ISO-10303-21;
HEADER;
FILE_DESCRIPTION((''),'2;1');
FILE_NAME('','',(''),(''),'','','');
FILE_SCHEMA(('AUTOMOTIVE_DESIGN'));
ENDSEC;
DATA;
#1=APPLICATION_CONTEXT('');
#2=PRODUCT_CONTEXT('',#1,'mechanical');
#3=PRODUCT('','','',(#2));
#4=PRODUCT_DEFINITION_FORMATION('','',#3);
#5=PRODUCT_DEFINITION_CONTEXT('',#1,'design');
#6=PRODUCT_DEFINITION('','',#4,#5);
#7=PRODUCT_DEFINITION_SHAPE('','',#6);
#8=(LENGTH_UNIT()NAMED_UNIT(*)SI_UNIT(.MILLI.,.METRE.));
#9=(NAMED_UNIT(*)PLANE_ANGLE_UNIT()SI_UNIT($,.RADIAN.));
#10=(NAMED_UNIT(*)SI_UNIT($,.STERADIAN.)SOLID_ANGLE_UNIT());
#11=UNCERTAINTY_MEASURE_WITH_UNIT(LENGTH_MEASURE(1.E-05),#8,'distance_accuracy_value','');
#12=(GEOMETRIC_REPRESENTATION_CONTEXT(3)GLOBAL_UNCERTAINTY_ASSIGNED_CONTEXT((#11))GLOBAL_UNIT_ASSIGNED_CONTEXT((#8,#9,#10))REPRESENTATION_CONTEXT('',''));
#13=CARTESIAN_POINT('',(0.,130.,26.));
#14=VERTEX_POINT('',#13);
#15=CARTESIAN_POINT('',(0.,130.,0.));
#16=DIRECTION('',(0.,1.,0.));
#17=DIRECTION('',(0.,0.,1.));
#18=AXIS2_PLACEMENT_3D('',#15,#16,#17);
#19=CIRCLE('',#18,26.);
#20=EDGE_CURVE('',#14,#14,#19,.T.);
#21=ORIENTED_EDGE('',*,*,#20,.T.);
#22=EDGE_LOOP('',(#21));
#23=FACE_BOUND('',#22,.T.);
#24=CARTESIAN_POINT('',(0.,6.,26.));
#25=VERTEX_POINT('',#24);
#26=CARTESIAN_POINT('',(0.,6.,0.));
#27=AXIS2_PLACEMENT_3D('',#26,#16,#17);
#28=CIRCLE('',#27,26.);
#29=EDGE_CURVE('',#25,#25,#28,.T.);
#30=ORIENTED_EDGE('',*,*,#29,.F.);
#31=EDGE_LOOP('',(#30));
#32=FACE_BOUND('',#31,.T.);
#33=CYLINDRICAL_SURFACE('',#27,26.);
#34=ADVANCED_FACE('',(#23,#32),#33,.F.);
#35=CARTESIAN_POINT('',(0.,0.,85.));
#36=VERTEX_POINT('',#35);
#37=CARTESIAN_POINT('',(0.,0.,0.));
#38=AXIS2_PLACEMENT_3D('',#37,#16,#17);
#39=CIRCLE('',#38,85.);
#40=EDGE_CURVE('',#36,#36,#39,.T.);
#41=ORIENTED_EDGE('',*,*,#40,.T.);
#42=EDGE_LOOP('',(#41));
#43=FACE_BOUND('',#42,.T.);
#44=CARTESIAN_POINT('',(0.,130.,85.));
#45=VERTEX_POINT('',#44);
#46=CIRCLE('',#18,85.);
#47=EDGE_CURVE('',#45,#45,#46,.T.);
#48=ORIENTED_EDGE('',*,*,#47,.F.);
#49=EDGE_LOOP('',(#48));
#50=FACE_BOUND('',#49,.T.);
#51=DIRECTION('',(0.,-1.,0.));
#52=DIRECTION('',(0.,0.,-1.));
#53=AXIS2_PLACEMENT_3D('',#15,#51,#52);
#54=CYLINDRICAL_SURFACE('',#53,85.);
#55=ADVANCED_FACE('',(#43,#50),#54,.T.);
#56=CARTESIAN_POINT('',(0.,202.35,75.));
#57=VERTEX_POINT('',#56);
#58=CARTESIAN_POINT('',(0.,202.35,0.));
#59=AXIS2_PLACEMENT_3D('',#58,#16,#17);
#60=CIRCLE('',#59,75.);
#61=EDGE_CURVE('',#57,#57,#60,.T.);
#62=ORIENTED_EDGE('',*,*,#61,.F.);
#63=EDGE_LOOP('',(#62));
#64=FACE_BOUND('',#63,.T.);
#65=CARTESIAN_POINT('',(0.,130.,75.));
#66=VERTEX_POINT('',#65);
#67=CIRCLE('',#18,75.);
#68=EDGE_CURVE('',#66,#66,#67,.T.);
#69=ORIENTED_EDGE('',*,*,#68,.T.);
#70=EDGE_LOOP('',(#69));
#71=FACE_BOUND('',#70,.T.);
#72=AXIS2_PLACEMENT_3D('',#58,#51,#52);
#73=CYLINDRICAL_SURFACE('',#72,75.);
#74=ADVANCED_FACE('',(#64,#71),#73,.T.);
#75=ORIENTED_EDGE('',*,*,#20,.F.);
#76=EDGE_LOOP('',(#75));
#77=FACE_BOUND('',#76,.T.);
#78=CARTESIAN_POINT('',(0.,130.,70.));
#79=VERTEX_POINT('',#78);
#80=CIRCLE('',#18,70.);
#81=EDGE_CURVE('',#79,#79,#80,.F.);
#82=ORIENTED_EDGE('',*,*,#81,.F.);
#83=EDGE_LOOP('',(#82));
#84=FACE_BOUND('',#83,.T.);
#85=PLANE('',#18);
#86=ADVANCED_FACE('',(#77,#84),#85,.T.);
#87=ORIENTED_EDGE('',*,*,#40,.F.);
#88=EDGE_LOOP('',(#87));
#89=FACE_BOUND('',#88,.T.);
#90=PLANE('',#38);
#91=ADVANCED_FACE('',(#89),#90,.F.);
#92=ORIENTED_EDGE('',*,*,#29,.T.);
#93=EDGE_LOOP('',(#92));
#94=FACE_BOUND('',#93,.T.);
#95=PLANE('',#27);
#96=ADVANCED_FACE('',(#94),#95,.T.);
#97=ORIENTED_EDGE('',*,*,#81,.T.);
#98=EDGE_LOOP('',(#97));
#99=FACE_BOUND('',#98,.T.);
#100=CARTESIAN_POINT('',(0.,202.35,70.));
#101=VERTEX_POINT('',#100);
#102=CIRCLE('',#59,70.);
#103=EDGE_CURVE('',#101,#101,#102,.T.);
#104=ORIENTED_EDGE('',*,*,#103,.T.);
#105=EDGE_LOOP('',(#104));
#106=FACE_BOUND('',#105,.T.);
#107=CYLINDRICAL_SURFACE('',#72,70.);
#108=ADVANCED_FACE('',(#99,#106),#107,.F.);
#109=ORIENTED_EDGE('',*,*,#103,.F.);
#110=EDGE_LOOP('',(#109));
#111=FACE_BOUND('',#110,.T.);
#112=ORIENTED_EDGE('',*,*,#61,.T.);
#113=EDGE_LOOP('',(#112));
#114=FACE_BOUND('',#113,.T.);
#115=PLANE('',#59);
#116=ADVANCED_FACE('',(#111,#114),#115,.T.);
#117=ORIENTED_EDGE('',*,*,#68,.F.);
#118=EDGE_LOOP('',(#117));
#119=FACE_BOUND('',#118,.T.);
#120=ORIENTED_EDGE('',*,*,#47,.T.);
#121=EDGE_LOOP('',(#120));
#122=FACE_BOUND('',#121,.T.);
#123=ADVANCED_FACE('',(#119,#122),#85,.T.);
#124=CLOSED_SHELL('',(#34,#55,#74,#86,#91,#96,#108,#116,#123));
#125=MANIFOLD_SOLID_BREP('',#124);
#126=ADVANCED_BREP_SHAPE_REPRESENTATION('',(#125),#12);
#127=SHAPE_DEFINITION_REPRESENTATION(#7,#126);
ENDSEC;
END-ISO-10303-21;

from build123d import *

# Parameters (mm, degrees)
SKETCH1_R           = 85
BOSS_EXTRUDE1_DEPTH = 130
SKETCH2_R           = 26
CUT_EXTRUDE1_DEPTH  = 124
SKETCH3_R           = 75
SKETCH3_R_2         = 70
BOSS_EXTRUDE2_DEPTH = 72.35


with BuildPart() as part:
    # Sketch1 → Boss-Extrude1 (new body)
    with BuildSketch(Plane(origin=(0, 0, 0), x_dir=(1, 0, 0), z_dir=(0, 1, 0))):
        Circle(SKETCH1_R)
    extrude(amount=BOSS_EXTRUDE1_DEPTH)

    # Sketch2 → Cut-Extrude1 (cut)
    with BuildSketch(Plane(origin=(0, 130, 0), x_dir=(1, 0, 0), z_dir=(0, 1, 0))):
        Circle(SKETCH2_R)
    extrude(amount=-CUT_EXTRUDE1_DEPTH, mode=Mode.SUBTRACT)

    # Sketch3 → Boss-Extrude2 (add)
    with BuildSketch(Plane(origin=(0, 130, 0), x_dir=(1, 0, 0), z_dir=(0, 1, 0))):
        Circle(SKETCH3_R)
        Circle(SKETCH3_R_2, mode=Mode.SUBTRACT)
    extrude(amount=BOSS_EXTRUDE2_DEPTH)


solid = part.part
